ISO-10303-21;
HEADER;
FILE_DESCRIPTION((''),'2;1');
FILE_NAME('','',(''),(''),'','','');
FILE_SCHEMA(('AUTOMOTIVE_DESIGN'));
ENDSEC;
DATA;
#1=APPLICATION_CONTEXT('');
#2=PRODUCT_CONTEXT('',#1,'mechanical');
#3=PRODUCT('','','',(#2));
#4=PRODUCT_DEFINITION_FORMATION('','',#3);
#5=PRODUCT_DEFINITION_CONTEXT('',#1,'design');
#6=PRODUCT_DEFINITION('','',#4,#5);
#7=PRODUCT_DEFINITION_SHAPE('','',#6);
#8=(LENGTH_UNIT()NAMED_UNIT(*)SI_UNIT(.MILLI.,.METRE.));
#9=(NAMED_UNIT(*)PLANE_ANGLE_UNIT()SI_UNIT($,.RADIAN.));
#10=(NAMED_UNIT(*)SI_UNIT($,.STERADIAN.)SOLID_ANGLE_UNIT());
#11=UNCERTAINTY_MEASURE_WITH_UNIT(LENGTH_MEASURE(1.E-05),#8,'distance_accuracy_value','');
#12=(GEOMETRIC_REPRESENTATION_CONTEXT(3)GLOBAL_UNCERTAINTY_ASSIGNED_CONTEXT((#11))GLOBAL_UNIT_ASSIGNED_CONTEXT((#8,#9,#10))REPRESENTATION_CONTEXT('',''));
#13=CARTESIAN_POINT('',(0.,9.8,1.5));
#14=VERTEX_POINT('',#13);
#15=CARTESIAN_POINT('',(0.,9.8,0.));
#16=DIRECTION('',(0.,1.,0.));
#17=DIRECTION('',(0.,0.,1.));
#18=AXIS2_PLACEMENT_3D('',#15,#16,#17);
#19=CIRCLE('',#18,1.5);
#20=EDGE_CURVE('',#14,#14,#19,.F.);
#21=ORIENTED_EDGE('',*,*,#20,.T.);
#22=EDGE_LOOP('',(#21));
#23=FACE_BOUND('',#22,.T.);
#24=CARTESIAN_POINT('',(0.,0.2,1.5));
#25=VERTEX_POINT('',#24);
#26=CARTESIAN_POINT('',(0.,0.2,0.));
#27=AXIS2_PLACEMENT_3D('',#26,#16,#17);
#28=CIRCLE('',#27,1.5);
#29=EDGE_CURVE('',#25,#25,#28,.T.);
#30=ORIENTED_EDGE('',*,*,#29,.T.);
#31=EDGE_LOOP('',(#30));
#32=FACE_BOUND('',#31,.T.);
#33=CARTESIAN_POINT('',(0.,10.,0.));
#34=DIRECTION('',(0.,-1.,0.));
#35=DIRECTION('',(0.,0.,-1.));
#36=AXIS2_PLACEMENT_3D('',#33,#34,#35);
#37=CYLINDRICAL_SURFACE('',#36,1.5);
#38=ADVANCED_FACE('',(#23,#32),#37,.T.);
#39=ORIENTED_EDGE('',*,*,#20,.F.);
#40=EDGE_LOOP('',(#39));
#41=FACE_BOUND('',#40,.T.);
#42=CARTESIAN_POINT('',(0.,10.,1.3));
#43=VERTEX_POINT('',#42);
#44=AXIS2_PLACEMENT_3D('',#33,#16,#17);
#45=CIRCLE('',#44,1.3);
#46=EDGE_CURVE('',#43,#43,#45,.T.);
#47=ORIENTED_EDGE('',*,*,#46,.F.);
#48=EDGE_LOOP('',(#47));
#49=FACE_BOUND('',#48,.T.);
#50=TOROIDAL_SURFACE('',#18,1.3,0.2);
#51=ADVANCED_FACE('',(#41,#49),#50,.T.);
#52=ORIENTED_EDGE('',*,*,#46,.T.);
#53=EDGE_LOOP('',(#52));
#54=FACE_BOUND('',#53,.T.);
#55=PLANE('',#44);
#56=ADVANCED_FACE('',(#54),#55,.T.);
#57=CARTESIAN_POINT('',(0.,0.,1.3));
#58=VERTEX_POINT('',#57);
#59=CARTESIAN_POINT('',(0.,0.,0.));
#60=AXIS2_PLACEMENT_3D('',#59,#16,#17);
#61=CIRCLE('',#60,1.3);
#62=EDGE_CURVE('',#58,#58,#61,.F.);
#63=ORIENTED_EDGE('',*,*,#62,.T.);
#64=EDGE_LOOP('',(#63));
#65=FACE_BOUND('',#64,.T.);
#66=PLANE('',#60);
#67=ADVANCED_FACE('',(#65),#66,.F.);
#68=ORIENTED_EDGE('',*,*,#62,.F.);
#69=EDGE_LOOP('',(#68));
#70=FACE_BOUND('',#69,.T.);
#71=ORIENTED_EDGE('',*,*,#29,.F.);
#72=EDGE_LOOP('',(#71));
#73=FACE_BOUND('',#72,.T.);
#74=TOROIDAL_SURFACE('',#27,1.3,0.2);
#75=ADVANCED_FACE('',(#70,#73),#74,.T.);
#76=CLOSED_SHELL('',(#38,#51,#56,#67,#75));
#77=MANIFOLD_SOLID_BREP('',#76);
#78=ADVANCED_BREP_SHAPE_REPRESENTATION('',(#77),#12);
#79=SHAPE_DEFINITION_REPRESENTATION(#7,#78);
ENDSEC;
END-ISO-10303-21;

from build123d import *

# Parameters (mm, degrees)
ESQUISSE1_R        = 1.5
BOSS_EXTRU_1_DEPTH = 10
CONG_1_R           = 0.2


with BuildPart() as part:
    # Esquisse1 → Boss.-Extru.1 (new body)
    with BuildSketch(Plane(origin=(0, 0, 0), x_dir=(1, 0, 0), z_dir=(0, 1, 0))):
        Circle(ESQUISSE1_R)
    extrude(amount=BOSS_EXTRU_1_DEPTH)

    # Congé1
    cong_1_edges = [part.edges().sort_by_distance(p)[0] for p in [
        (-1.5, 0, 0),
        (-1.5, 10, 0),
    ]]
    fillet(cong_1_edges, radius=CONG_1_R)


solid = part.part
